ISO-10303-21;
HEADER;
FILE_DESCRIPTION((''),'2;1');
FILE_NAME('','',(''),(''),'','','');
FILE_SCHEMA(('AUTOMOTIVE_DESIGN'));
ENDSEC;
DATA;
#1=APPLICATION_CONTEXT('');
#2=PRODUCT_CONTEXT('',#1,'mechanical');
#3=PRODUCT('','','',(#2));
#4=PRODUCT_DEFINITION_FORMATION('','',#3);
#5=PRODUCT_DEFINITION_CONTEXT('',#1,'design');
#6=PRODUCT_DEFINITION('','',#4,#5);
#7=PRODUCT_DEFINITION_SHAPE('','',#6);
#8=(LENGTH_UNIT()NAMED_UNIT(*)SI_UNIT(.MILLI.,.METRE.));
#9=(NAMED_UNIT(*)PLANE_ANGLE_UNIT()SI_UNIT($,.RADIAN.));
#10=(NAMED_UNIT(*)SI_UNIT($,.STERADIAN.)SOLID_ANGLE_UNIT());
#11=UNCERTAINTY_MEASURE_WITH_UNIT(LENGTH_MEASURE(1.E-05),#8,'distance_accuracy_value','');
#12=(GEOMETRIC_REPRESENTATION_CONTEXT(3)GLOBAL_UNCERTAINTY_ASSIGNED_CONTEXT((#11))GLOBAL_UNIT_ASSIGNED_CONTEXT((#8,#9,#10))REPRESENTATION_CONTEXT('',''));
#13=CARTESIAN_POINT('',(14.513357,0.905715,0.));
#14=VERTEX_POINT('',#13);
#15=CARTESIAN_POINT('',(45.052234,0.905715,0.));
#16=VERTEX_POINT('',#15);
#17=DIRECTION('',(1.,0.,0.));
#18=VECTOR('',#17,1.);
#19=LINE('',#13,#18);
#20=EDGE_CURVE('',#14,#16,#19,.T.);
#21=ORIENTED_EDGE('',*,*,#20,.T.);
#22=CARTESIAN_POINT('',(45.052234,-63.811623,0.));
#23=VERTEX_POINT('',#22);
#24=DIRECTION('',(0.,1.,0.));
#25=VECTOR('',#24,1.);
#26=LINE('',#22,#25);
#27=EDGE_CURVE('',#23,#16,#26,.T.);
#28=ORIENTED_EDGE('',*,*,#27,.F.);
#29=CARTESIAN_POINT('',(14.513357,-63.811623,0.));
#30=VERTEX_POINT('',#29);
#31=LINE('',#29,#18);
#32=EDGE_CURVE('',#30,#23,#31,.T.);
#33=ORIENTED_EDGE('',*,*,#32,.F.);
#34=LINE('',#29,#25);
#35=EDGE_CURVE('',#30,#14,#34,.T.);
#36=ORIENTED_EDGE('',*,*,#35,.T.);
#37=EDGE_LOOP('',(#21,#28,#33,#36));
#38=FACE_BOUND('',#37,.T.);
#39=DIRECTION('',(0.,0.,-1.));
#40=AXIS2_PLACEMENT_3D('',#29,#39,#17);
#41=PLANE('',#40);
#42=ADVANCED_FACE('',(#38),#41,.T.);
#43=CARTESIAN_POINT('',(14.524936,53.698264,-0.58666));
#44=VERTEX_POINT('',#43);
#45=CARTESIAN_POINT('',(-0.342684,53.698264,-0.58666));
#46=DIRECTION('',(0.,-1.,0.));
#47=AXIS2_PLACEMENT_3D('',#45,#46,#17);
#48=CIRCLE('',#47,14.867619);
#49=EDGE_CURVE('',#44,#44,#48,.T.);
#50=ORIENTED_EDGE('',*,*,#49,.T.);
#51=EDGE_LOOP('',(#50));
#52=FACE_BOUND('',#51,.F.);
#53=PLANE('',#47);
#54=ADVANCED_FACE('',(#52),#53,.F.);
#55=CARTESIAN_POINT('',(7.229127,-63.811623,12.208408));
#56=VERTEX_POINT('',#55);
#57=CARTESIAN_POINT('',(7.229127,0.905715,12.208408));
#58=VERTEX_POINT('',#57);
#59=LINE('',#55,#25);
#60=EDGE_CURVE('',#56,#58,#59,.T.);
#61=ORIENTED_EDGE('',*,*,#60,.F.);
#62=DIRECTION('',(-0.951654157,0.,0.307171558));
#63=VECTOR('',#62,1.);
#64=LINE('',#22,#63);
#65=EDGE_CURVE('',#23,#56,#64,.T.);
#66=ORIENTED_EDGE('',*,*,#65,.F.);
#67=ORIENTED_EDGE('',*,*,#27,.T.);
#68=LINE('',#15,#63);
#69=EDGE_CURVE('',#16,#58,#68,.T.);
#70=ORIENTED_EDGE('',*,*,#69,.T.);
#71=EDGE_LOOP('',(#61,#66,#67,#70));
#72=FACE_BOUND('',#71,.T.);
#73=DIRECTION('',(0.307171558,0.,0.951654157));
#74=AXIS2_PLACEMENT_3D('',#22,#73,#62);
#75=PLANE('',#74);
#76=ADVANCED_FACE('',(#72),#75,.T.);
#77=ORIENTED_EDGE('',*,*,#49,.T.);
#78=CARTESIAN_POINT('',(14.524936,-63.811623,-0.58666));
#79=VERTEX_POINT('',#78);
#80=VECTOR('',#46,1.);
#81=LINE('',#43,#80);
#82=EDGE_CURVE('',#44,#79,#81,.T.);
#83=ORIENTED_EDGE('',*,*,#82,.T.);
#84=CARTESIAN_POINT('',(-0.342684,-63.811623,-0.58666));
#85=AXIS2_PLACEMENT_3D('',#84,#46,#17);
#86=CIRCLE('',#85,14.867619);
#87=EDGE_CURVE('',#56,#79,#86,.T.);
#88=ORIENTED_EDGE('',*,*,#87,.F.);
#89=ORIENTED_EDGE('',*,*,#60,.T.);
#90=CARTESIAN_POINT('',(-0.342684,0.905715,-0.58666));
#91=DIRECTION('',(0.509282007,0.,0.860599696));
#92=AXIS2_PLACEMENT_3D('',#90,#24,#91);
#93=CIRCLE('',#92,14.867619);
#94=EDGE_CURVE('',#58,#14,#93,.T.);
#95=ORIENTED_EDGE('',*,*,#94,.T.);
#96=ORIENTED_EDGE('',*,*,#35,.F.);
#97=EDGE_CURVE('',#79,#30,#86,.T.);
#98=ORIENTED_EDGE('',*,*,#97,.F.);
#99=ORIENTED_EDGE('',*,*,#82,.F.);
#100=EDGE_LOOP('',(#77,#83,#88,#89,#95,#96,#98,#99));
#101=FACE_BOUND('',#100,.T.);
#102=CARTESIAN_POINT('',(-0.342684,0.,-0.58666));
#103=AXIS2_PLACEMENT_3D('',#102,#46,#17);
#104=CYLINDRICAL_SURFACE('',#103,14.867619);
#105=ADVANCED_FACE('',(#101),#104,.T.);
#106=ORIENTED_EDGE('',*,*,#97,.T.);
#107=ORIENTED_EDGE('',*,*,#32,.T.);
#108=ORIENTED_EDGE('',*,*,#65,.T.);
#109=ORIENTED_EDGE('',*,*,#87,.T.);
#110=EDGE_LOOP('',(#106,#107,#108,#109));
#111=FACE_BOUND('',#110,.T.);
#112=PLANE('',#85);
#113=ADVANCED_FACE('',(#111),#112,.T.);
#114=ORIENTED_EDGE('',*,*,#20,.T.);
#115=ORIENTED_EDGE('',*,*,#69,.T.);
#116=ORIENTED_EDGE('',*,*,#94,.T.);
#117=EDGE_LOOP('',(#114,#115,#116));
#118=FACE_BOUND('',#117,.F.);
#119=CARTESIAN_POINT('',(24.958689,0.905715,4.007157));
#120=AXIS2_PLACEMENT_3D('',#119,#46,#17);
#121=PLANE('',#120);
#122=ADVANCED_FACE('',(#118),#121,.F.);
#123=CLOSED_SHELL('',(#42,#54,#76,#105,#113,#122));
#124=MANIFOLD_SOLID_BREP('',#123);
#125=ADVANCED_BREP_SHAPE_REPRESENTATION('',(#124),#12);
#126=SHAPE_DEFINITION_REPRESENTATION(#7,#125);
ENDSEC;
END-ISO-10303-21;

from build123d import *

# Parameters (mm, degrees)
F0_R     = 14.8676194835
F1_DEPTH = 63.81162256
F2_DEPTH = 53.6982640624
F4_DEPTH = 64.7173374891


with BuildPart() as f1:
    # F0 (on Front) → F1 (new body)
    with BuildSketch(Plane.XZ):
        with Locations((-0.3426838666, -0.586660404)):
            Circle(F0_R)
    extrude(amount=F1_DEPTH)

    # F2 (add): a face of the model
    f2_faces = [f1.faces().sort_by_distance(p)[0] for p in [
        (-0.3426838666, 0, -0.586660404),
    ]]
    extrude(f2_faces, amount=F2_DEPTH)

    # F3 (on face) → F4 (join)
    with BuildSketch(Plane.XZ.offset(63.81162256)):
        with BuildLine():
            ThreePointArc((7.2291272221, 12.2084084096), (12.4249878258, 7.0312572026), (14.5133566111, 0))
            Line((14.5133566111, 0), (45.0522339435, 0))
            Line((45.0522339435, 0), (7.2291272221, 12.2084084096))
        make_face()
    extrude(amount=-F4_DEPTH)


solid = f1.part
